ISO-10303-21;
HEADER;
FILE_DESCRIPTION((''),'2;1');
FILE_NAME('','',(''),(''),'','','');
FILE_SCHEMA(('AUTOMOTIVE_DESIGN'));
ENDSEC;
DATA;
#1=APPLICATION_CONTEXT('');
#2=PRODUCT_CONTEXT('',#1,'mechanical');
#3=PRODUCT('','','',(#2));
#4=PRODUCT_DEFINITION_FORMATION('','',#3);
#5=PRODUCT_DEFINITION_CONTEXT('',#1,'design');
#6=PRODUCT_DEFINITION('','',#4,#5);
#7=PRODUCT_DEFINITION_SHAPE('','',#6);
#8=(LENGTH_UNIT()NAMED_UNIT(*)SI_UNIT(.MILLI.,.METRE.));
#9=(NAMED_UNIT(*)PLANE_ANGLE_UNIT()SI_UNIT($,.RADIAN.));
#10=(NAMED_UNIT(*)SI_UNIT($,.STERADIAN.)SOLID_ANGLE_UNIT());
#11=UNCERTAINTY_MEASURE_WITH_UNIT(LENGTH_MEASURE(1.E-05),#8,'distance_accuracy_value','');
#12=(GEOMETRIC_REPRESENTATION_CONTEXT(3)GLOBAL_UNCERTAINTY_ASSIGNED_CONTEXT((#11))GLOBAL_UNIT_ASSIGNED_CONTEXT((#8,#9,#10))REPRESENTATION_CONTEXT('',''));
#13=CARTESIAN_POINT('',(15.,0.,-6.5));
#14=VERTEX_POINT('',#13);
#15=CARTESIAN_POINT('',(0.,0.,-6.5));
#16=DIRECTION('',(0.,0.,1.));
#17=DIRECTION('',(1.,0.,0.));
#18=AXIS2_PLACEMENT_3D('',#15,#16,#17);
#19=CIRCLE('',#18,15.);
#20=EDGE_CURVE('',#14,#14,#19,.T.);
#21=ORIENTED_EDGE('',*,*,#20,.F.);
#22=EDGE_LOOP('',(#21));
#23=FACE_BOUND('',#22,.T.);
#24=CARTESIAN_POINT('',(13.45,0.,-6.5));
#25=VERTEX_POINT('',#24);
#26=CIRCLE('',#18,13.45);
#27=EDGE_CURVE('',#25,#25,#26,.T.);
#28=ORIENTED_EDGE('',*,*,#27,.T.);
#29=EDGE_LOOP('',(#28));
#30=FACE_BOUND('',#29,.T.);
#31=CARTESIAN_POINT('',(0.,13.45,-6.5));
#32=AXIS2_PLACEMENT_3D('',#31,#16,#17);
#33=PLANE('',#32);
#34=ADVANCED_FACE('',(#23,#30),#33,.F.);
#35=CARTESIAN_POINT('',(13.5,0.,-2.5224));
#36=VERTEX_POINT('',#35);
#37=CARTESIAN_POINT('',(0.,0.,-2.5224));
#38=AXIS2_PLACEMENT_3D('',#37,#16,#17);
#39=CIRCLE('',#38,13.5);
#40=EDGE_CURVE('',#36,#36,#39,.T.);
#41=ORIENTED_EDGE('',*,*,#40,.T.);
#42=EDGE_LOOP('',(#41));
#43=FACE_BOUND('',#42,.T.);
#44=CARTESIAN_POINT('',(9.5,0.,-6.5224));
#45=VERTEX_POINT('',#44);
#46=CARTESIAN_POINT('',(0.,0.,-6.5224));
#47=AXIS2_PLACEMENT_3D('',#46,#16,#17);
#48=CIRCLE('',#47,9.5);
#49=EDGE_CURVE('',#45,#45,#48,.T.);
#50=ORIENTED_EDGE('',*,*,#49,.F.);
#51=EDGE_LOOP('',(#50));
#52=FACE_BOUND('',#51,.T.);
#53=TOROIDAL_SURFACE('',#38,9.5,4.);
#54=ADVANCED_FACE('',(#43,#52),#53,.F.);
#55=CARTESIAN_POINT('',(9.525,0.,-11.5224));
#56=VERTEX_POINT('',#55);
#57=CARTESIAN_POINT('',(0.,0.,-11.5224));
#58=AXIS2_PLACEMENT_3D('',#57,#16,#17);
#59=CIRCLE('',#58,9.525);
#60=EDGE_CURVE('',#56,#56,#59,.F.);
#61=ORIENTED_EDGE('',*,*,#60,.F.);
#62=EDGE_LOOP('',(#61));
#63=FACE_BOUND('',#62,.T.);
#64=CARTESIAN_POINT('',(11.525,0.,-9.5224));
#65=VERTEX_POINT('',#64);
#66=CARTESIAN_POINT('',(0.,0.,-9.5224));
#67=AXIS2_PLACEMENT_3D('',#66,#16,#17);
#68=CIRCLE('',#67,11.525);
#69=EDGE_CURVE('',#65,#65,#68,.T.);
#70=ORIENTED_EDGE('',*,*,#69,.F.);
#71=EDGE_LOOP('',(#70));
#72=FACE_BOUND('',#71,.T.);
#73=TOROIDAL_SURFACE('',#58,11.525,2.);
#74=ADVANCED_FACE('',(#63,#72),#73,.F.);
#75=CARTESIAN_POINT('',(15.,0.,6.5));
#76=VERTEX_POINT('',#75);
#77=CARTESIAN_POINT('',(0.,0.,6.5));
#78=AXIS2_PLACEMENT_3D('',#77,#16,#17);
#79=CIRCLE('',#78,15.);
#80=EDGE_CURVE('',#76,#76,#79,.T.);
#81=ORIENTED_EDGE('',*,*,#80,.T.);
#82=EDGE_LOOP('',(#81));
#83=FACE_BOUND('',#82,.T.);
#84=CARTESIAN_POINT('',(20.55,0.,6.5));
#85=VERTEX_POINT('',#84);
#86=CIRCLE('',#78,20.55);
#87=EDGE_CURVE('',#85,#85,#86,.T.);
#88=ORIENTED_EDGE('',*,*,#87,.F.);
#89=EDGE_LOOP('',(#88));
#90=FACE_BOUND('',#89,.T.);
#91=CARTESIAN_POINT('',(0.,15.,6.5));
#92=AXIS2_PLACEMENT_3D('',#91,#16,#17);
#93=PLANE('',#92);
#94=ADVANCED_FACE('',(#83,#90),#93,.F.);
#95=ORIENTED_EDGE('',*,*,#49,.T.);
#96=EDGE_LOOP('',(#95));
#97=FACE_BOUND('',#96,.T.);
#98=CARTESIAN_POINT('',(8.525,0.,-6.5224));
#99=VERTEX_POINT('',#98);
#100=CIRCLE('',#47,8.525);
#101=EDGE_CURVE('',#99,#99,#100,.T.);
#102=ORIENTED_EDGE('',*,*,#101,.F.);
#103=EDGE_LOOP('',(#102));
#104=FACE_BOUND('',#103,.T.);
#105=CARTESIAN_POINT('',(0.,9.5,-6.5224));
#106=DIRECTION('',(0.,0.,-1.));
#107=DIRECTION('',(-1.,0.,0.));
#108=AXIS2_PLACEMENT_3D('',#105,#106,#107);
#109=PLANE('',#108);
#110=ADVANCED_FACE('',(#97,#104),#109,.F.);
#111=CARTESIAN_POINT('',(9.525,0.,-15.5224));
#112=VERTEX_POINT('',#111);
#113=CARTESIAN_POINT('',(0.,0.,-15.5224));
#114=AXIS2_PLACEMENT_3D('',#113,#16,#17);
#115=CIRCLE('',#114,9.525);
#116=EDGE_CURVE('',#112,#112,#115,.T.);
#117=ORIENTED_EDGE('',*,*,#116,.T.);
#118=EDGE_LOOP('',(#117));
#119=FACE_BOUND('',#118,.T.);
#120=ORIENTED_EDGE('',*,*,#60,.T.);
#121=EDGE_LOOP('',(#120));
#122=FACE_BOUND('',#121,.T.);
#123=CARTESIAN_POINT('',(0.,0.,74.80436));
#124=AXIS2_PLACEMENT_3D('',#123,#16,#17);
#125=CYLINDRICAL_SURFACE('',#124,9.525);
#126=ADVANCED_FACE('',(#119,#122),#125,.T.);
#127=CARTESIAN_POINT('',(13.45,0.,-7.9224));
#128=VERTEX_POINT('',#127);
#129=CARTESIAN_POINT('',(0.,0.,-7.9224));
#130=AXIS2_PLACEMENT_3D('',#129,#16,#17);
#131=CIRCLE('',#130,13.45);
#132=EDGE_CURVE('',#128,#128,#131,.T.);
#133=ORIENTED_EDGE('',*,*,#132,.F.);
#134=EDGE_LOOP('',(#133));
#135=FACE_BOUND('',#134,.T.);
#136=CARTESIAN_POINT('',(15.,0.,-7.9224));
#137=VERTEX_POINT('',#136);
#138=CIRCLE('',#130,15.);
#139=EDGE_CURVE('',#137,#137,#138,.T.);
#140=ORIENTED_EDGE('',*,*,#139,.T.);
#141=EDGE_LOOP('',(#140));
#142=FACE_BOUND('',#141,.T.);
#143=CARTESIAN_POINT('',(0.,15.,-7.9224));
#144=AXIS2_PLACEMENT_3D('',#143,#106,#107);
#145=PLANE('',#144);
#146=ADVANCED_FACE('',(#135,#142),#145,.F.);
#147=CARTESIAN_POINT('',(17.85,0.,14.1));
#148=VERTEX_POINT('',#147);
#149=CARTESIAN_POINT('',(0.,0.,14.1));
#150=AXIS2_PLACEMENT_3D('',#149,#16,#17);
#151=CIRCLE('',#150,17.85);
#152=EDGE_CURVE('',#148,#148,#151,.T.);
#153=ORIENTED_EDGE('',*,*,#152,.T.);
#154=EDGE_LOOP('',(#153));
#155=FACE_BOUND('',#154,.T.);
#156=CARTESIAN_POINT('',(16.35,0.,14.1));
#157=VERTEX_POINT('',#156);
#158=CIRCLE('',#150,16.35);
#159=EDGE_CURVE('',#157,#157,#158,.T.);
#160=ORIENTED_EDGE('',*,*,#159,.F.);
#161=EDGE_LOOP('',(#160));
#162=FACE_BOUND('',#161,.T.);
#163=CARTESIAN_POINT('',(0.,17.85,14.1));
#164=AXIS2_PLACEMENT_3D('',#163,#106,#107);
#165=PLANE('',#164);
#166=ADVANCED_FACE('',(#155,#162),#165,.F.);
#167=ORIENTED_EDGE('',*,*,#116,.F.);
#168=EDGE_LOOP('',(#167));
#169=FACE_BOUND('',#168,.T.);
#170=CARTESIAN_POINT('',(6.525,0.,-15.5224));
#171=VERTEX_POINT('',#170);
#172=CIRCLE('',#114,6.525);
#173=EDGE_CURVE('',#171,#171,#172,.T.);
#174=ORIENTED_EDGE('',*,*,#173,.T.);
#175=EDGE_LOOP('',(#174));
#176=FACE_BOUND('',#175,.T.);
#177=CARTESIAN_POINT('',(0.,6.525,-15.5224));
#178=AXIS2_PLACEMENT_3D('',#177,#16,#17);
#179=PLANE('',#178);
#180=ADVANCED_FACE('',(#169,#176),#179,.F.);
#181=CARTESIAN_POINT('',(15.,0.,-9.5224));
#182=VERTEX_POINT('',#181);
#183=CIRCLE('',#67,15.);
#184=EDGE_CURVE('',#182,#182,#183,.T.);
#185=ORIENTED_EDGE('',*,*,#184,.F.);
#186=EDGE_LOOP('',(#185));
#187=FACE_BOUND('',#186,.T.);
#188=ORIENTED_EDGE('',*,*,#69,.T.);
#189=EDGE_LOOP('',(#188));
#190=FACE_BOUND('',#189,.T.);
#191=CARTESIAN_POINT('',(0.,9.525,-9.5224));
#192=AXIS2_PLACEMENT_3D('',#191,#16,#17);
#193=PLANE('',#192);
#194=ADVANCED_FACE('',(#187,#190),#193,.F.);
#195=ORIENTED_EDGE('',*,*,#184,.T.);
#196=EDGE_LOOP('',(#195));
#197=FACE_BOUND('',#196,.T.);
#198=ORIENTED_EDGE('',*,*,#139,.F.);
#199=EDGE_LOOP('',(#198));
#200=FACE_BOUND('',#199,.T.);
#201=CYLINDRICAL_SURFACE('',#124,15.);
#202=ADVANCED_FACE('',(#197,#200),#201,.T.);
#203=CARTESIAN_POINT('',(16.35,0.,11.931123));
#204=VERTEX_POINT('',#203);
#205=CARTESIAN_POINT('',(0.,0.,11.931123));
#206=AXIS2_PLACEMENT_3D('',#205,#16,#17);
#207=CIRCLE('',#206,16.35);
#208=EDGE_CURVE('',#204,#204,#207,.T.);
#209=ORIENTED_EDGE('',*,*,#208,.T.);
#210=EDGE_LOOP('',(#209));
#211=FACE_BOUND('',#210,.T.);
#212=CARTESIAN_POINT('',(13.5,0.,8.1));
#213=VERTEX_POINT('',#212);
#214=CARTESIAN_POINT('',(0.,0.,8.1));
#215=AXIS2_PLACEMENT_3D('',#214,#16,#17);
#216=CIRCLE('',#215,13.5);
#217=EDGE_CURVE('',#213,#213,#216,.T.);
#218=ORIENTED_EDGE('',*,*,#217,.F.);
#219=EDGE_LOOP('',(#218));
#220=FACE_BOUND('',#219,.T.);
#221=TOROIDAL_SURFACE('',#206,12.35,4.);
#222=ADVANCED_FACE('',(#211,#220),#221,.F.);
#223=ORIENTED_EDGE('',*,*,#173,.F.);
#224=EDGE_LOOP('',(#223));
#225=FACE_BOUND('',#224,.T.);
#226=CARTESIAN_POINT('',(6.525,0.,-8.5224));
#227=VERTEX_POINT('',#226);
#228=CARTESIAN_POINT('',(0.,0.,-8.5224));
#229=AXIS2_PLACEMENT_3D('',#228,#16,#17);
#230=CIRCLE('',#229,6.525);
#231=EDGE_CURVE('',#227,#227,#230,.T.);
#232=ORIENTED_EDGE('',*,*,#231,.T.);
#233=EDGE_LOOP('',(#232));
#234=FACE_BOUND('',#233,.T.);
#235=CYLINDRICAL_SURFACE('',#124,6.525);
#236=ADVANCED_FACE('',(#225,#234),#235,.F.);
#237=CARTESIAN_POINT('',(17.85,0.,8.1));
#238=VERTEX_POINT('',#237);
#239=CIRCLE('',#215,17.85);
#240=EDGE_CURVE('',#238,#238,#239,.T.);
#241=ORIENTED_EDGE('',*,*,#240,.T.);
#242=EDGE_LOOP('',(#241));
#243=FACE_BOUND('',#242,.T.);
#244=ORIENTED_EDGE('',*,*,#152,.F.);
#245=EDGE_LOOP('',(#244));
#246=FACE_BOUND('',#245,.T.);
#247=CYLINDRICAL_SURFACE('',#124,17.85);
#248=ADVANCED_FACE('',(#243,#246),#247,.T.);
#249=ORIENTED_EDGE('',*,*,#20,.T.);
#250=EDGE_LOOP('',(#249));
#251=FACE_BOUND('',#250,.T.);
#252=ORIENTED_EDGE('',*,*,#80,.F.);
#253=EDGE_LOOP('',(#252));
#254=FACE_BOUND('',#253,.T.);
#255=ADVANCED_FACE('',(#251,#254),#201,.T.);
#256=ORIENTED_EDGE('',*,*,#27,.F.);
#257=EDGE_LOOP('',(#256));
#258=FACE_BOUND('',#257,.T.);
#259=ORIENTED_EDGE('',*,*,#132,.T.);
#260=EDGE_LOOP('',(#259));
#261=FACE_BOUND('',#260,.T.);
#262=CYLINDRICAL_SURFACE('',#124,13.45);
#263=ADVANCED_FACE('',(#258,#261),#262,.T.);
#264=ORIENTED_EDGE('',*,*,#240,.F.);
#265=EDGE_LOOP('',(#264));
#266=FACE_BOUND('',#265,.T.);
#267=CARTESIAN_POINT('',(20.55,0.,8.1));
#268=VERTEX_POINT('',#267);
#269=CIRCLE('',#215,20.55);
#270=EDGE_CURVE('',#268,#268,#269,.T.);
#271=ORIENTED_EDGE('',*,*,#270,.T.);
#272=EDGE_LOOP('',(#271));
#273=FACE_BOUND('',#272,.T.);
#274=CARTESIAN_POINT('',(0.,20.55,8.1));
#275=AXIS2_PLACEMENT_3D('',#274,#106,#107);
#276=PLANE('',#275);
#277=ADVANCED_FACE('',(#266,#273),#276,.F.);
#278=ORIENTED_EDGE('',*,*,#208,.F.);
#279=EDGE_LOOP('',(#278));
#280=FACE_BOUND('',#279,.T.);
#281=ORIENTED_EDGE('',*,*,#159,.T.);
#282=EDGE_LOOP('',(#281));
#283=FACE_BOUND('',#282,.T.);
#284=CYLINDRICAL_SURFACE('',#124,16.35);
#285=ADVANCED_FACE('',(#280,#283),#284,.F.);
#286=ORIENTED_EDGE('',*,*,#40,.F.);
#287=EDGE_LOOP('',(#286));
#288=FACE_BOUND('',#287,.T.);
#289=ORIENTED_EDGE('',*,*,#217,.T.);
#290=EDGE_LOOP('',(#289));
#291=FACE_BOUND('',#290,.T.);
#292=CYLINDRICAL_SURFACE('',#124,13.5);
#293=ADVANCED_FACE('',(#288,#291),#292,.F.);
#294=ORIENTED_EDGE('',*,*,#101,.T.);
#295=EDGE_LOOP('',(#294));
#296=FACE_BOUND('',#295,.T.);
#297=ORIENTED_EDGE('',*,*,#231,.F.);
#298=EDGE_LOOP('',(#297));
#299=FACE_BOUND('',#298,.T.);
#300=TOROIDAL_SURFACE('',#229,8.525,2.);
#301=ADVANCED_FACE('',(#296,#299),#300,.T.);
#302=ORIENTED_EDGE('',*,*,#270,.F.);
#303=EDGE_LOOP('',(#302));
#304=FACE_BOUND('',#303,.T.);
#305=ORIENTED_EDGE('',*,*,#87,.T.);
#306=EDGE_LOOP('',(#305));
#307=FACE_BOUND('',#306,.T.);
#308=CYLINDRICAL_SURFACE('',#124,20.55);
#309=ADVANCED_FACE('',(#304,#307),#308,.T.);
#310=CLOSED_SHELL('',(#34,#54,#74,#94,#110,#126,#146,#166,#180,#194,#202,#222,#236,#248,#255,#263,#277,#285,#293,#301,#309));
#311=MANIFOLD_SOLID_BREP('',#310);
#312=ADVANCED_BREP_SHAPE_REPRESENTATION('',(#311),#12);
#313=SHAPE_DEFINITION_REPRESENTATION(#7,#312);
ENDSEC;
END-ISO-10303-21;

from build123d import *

# Parameters (mm, degrees)
FILLET2_R = 2


with BuildPart() as part:
    # Sketch2 → Revolve1 (revolve)
    with BuildSketch(Plane(origin=(0, 0, 0), x_dir=(0, 0, -1), z_dir=(1, 0, 0))):
        with BuildLine():
            Line((15.5224, 9.525), (9.5224, 9.525))
            Line((9.5224, 9.525), (9.5224, 15))
            Line((9.5224, 15), (7.9224, 15))
            Line((7.9224, 15), (7.9224, 13.45))
            Line((7.9224, 13.45), (6.5, 13.45))
            Line((6.5, 13.45), (6.5, 15))
            Line((6.5, 15), (-6.5, 15))
            Line((-6.5, 15), (-6.5, 20.55))
            Line((-6.5, 20.55), (-8.1, 20.55))
            Line((-8.1, 20.55), (-8.1, 17.85))
            Line((-8.1, 17.85), (-14.1, 17.85))
            Line((-14.1, 17.85), (-14.1, 16.35))
            Line((-14.1, 16.35), (-11.931122551, 16.35))
            ThreePointArc((-11.931122551, 16.35), (-9.543655274, 15.559361307), (-8.1, 13.5))
            Line((-8.1, 13.5), (2.5224, 13.5))
            ThreePointArc((2.5224, 13.5), (5.350827125, 12.328427125), (6.5224, 9.5))
            Line((6.5224, 9.5), (6.5224, 8.525))
            ThreePointArc((6.5224, 8.525), (7.108186438, 7.110786438), (8.5224, 6.525))
            Line((8.5224, 6.525), (15.5224, 6.525))
            Line((15.5224, 6.525), (15.5224, 9.525))
        make_face()
    revolve(axis=Axis((0, 0, 74.804360453), (0, 0, -1)))

    # Fillet2
    fillet2_edges = [part.edges().sort_by_distance(p)[0] for p in [
        (0, -9.525, -9.5224),
    ]]
    fillet(fillet2_edges, radius=FILLET2_R)


solid = part.part
